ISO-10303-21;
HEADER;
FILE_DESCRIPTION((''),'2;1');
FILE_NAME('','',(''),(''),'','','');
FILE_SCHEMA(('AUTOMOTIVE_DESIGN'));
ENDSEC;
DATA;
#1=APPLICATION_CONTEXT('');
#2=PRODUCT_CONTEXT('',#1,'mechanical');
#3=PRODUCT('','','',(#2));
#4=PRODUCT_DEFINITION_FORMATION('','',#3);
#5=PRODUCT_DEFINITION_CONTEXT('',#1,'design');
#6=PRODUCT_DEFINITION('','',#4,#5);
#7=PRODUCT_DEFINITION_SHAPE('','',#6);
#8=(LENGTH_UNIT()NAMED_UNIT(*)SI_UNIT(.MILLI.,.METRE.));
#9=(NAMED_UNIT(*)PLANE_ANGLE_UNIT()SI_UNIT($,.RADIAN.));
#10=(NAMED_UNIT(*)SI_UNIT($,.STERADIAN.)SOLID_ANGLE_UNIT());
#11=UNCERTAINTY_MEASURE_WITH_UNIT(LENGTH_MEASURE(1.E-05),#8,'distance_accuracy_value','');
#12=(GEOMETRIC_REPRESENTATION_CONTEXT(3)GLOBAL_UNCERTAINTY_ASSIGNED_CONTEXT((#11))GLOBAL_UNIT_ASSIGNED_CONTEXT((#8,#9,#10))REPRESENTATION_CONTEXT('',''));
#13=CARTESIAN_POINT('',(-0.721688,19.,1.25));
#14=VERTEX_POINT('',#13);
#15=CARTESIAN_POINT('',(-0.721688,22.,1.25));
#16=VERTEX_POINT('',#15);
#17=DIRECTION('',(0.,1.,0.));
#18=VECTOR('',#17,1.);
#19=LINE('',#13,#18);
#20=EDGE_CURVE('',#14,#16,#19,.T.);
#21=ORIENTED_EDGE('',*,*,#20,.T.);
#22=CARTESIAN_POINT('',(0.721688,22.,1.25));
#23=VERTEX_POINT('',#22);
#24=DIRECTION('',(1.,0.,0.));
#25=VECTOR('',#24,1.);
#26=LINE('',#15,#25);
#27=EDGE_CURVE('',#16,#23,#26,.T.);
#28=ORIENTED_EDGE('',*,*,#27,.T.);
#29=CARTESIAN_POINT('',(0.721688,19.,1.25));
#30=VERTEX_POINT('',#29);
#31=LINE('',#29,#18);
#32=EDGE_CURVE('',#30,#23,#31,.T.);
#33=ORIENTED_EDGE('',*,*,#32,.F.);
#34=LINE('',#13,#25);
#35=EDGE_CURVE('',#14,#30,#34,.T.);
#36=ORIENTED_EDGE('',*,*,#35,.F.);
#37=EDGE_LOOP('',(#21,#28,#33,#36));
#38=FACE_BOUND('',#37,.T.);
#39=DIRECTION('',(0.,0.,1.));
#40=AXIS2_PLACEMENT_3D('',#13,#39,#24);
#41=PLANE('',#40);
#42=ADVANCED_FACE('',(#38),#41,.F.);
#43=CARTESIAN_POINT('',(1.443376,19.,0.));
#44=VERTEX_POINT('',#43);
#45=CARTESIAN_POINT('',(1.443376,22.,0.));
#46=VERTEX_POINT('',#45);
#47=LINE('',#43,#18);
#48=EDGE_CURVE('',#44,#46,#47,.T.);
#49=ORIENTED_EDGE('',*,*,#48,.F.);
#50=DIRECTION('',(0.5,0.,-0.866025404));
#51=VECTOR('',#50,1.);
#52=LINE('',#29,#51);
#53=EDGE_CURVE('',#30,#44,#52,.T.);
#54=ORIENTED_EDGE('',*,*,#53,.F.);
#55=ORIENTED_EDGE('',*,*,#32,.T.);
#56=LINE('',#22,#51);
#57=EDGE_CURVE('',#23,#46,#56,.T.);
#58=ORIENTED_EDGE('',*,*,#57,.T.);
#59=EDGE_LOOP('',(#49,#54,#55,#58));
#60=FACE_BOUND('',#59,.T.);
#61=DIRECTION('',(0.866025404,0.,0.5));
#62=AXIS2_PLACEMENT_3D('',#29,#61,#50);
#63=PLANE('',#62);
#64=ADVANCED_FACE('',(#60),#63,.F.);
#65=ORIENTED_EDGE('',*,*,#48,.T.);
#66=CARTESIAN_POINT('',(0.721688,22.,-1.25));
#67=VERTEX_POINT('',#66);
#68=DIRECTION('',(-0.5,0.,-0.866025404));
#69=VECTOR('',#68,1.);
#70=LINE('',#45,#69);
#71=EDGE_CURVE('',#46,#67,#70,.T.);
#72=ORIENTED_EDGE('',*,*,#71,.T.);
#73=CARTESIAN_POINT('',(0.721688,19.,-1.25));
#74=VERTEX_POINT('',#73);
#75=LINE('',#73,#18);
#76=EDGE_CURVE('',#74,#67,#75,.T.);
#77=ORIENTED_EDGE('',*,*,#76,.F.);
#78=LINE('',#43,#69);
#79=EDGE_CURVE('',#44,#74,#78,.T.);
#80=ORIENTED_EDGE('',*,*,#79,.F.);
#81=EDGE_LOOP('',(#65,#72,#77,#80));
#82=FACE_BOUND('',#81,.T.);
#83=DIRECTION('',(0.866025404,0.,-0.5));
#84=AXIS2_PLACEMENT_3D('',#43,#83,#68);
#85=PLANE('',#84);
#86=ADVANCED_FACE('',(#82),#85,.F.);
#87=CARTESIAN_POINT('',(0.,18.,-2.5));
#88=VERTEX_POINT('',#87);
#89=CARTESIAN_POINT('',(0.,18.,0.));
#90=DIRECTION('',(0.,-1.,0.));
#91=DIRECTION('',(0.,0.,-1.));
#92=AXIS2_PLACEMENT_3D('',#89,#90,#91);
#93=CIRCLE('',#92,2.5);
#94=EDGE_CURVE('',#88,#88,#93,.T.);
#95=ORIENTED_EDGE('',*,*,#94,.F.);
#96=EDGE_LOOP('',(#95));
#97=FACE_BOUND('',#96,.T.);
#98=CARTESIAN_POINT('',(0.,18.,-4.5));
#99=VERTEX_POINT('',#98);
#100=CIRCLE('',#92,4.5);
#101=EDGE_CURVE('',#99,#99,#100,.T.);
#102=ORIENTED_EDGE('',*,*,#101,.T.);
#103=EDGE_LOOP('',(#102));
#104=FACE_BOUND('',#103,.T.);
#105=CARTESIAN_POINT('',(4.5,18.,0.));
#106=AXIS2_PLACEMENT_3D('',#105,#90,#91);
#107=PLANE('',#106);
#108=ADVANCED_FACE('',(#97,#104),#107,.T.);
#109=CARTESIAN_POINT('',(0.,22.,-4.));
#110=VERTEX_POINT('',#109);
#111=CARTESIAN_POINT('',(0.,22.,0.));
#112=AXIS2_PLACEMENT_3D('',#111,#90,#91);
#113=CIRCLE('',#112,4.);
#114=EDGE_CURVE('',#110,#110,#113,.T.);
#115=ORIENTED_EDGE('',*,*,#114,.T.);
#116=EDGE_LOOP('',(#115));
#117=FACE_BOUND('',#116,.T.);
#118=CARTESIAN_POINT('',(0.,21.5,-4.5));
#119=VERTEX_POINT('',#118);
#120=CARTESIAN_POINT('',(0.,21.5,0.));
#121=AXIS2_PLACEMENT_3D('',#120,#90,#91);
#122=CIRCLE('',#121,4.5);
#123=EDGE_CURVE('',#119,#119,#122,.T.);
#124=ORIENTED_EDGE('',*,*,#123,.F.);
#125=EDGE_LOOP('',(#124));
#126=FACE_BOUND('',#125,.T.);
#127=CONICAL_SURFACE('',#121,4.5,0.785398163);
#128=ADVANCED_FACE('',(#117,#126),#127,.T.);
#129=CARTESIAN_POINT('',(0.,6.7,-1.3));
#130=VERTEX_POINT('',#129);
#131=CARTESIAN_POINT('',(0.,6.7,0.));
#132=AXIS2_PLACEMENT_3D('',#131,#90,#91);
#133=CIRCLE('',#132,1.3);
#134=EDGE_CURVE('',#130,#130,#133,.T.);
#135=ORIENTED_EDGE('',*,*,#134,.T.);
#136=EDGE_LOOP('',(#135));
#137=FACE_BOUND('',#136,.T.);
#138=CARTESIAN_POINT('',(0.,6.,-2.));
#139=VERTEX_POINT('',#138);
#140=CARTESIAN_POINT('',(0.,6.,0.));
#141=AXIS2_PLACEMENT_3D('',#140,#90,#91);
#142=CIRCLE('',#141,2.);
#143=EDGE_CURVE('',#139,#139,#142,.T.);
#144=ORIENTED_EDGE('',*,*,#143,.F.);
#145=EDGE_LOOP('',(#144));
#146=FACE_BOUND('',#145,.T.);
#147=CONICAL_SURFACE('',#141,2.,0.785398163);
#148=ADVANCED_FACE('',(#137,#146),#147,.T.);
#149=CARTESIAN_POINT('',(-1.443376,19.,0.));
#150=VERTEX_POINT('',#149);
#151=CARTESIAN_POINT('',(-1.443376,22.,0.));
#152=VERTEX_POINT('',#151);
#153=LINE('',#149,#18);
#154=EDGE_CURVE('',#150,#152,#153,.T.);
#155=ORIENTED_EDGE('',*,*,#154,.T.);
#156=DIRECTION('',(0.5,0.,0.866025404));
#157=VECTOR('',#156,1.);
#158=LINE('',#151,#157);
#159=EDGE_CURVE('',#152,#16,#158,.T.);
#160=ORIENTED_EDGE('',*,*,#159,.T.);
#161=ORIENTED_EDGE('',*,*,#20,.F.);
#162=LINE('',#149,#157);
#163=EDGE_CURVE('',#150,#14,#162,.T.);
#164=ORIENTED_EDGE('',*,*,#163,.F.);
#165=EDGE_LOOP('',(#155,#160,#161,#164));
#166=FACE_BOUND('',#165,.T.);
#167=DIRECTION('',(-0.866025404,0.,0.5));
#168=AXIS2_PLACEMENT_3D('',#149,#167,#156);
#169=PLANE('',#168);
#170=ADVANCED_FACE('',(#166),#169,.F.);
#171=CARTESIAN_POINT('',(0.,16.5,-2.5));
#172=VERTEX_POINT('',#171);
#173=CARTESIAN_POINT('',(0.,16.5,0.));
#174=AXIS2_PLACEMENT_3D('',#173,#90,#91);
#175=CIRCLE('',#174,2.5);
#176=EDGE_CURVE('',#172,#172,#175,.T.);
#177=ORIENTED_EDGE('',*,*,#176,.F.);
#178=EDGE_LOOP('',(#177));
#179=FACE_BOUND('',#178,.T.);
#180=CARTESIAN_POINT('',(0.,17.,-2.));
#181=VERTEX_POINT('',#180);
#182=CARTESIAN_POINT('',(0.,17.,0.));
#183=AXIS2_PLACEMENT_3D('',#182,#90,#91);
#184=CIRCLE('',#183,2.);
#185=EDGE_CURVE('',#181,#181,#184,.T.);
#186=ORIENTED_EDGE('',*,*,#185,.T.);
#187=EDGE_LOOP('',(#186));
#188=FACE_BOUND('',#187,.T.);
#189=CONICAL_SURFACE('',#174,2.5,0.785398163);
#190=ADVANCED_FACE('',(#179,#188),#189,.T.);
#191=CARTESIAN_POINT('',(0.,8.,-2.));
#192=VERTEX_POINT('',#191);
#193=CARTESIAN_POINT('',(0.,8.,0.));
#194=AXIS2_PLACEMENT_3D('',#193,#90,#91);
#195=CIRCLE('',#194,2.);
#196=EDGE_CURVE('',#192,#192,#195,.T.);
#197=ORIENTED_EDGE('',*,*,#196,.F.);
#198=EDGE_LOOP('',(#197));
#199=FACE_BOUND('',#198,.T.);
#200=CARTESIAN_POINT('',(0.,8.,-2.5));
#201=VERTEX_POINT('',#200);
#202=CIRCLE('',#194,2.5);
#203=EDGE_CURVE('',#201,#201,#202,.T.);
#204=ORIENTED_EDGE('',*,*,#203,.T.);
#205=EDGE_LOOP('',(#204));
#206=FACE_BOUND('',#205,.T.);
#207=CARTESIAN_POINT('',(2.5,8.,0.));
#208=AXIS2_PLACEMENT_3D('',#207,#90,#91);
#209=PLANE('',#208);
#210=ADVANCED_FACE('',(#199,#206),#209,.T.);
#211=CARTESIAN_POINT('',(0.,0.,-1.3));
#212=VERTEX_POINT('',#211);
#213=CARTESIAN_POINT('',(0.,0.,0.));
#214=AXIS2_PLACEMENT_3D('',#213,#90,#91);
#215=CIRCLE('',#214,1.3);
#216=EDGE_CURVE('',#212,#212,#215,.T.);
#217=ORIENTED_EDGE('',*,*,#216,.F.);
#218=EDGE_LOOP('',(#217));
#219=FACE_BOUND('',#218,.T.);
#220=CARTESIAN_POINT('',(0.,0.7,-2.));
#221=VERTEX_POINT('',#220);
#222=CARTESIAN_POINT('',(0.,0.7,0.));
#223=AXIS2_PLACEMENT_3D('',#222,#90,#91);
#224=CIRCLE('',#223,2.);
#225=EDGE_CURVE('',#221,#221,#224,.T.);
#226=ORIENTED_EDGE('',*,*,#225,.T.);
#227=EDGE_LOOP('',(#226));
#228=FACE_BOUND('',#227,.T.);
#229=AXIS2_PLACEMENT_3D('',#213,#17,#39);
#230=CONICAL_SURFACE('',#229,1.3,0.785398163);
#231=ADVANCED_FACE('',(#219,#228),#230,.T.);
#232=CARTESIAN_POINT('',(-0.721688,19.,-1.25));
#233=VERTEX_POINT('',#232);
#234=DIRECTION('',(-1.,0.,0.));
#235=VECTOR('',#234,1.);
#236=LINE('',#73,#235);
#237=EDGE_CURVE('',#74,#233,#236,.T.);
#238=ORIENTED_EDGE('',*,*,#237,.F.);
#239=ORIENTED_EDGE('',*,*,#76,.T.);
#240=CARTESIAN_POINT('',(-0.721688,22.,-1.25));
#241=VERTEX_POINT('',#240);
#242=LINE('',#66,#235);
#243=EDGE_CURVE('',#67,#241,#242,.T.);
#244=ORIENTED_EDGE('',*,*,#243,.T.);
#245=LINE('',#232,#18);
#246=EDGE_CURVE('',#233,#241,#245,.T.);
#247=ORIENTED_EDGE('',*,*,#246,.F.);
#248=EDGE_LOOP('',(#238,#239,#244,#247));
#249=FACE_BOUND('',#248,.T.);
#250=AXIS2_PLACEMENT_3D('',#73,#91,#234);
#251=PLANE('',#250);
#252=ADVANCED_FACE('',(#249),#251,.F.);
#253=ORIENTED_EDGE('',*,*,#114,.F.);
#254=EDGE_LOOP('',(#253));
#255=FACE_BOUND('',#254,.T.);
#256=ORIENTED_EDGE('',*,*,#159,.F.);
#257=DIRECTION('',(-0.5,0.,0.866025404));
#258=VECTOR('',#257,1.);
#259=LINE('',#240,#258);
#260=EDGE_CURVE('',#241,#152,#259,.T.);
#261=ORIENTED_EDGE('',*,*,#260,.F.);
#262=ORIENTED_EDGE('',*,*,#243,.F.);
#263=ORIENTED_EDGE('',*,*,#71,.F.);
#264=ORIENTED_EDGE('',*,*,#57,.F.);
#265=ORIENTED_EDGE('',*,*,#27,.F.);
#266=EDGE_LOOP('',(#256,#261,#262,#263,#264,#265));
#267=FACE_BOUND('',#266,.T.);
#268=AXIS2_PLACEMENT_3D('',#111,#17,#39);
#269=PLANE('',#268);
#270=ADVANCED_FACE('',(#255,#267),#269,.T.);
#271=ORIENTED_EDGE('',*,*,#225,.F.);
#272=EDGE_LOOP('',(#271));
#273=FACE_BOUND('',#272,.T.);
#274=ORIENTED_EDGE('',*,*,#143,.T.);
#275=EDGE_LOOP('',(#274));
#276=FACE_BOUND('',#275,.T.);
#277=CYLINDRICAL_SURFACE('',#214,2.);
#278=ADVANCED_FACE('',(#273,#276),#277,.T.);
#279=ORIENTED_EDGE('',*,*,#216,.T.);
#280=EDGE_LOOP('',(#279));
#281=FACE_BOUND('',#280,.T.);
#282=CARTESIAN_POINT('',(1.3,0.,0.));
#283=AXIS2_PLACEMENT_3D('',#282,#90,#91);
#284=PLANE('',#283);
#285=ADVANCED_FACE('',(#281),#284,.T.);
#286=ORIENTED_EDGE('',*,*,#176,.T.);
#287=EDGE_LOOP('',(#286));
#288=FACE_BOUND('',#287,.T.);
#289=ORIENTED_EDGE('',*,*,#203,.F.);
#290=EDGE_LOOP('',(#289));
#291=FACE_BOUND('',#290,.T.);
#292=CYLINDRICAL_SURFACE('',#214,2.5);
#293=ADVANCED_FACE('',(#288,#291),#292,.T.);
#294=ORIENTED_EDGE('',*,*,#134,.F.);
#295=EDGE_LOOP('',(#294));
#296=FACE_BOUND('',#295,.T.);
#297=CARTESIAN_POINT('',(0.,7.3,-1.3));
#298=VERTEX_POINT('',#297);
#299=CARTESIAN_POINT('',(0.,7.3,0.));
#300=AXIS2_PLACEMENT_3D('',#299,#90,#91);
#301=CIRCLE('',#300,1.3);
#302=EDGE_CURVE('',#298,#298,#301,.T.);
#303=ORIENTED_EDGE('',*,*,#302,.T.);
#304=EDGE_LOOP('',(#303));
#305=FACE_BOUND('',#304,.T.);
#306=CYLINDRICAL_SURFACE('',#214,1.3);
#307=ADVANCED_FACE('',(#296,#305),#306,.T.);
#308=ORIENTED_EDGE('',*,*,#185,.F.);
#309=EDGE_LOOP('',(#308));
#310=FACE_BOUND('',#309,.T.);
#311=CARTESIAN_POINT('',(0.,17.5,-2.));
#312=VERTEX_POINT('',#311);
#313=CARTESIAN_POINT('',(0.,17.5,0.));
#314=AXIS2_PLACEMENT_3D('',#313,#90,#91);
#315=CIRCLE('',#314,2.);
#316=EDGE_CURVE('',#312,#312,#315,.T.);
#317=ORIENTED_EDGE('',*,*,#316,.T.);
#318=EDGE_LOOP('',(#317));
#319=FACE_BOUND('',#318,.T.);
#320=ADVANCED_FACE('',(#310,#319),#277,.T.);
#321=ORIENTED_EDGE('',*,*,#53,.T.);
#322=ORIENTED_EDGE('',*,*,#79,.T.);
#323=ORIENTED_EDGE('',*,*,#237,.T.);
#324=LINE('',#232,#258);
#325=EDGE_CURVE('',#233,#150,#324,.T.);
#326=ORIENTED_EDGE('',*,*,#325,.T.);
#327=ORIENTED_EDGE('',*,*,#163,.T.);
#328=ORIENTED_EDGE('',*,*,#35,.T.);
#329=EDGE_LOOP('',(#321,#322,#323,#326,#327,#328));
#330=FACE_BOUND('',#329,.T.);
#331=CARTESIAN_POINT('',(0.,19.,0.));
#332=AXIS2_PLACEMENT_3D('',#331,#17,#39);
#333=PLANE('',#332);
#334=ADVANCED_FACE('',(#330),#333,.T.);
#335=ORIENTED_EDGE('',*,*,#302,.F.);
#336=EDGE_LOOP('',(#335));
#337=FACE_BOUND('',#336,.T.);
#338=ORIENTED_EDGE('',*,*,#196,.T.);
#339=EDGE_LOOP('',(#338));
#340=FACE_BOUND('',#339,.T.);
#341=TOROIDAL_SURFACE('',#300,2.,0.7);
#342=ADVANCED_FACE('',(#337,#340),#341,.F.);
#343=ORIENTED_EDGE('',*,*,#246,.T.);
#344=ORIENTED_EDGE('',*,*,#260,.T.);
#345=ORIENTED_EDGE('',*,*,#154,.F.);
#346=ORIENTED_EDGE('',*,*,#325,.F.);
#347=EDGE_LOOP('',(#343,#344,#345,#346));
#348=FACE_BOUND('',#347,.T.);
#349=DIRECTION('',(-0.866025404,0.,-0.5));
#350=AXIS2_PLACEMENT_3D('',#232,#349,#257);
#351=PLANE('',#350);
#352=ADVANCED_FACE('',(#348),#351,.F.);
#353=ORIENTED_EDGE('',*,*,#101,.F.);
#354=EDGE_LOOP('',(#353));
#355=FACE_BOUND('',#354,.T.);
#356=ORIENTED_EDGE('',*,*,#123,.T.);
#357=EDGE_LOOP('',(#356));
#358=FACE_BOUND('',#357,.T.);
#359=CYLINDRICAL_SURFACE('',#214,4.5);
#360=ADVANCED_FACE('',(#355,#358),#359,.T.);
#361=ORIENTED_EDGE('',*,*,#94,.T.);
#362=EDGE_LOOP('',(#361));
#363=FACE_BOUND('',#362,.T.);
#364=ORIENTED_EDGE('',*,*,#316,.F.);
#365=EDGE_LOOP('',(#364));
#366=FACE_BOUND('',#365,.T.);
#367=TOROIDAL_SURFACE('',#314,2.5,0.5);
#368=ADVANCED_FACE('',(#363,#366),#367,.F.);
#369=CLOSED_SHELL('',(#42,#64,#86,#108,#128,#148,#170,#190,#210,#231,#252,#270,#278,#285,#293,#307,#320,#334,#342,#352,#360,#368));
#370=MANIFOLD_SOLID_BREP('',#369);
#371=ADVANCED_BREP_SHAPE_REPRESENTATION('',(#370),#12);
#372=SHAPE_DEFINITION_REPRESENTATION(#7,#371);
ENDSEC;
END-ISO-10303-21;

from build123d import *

# Parameters (mm, degrees)
CUT_EXTRUDE1_DEPTH = 3


with BuildPart() as part:
    # Sketch1 → Revolve1 (revolve)
    with BuildSketch(Plane.XY):
        with BuildLine():
            Line((0, 0), (0, 22))
            Line((0, 22), (4, 22))
            Line((4, 22), (4.5, 21.5))
            Line((4.5, 21.5), (4.5, 18))
            Line((4.5, 18), (2.5, 18))
            ThreePointArc((2.5, 18), (2.146446609, 17.853553391), (2, 17.5))
            Line((2, 17.5), (2, 17))
            Line((2, 17), (2.5, 16.5))
            Line((2.5, 16.5), (2.5, 8))
            Line((2.5, 8), (2, 8))
            ThreePointArc((2, 8), (1.505025253, 7.794974747), (1.3, 7.3))
            Line((1.3, 7.3), (1.3, 6.7))
            Line((1.3, 6.7), (2, 6))
            Line((2, 6), (2, 0.7))
            Line((2, 0.7), (1.3, 0))
            Line((1.3, 0), (0, 0))
        make_face()
    revolve(axis=Axis((0, 0, 0), (0, 1, 0)))

    # Sketch2 → Cut-Extrude1 (cut)
    with BuildSketch(Plane(origin=(0, 22, 0), x_dir=(1, 0, 0), z_dir=(0, 1, 0))):
        Polygon((0.721687836, 1.25), (-0.721687836, 1.25), (-1.443375673, 0), (-0.721687836, -1.25), (0.721687836, -1.25), (1.443375673, 0), align=None)
    extrude(amount=-CUT_EXTRUDE1_DEPTH, mode=Mode.SUBTRACT)


solid = part.part
